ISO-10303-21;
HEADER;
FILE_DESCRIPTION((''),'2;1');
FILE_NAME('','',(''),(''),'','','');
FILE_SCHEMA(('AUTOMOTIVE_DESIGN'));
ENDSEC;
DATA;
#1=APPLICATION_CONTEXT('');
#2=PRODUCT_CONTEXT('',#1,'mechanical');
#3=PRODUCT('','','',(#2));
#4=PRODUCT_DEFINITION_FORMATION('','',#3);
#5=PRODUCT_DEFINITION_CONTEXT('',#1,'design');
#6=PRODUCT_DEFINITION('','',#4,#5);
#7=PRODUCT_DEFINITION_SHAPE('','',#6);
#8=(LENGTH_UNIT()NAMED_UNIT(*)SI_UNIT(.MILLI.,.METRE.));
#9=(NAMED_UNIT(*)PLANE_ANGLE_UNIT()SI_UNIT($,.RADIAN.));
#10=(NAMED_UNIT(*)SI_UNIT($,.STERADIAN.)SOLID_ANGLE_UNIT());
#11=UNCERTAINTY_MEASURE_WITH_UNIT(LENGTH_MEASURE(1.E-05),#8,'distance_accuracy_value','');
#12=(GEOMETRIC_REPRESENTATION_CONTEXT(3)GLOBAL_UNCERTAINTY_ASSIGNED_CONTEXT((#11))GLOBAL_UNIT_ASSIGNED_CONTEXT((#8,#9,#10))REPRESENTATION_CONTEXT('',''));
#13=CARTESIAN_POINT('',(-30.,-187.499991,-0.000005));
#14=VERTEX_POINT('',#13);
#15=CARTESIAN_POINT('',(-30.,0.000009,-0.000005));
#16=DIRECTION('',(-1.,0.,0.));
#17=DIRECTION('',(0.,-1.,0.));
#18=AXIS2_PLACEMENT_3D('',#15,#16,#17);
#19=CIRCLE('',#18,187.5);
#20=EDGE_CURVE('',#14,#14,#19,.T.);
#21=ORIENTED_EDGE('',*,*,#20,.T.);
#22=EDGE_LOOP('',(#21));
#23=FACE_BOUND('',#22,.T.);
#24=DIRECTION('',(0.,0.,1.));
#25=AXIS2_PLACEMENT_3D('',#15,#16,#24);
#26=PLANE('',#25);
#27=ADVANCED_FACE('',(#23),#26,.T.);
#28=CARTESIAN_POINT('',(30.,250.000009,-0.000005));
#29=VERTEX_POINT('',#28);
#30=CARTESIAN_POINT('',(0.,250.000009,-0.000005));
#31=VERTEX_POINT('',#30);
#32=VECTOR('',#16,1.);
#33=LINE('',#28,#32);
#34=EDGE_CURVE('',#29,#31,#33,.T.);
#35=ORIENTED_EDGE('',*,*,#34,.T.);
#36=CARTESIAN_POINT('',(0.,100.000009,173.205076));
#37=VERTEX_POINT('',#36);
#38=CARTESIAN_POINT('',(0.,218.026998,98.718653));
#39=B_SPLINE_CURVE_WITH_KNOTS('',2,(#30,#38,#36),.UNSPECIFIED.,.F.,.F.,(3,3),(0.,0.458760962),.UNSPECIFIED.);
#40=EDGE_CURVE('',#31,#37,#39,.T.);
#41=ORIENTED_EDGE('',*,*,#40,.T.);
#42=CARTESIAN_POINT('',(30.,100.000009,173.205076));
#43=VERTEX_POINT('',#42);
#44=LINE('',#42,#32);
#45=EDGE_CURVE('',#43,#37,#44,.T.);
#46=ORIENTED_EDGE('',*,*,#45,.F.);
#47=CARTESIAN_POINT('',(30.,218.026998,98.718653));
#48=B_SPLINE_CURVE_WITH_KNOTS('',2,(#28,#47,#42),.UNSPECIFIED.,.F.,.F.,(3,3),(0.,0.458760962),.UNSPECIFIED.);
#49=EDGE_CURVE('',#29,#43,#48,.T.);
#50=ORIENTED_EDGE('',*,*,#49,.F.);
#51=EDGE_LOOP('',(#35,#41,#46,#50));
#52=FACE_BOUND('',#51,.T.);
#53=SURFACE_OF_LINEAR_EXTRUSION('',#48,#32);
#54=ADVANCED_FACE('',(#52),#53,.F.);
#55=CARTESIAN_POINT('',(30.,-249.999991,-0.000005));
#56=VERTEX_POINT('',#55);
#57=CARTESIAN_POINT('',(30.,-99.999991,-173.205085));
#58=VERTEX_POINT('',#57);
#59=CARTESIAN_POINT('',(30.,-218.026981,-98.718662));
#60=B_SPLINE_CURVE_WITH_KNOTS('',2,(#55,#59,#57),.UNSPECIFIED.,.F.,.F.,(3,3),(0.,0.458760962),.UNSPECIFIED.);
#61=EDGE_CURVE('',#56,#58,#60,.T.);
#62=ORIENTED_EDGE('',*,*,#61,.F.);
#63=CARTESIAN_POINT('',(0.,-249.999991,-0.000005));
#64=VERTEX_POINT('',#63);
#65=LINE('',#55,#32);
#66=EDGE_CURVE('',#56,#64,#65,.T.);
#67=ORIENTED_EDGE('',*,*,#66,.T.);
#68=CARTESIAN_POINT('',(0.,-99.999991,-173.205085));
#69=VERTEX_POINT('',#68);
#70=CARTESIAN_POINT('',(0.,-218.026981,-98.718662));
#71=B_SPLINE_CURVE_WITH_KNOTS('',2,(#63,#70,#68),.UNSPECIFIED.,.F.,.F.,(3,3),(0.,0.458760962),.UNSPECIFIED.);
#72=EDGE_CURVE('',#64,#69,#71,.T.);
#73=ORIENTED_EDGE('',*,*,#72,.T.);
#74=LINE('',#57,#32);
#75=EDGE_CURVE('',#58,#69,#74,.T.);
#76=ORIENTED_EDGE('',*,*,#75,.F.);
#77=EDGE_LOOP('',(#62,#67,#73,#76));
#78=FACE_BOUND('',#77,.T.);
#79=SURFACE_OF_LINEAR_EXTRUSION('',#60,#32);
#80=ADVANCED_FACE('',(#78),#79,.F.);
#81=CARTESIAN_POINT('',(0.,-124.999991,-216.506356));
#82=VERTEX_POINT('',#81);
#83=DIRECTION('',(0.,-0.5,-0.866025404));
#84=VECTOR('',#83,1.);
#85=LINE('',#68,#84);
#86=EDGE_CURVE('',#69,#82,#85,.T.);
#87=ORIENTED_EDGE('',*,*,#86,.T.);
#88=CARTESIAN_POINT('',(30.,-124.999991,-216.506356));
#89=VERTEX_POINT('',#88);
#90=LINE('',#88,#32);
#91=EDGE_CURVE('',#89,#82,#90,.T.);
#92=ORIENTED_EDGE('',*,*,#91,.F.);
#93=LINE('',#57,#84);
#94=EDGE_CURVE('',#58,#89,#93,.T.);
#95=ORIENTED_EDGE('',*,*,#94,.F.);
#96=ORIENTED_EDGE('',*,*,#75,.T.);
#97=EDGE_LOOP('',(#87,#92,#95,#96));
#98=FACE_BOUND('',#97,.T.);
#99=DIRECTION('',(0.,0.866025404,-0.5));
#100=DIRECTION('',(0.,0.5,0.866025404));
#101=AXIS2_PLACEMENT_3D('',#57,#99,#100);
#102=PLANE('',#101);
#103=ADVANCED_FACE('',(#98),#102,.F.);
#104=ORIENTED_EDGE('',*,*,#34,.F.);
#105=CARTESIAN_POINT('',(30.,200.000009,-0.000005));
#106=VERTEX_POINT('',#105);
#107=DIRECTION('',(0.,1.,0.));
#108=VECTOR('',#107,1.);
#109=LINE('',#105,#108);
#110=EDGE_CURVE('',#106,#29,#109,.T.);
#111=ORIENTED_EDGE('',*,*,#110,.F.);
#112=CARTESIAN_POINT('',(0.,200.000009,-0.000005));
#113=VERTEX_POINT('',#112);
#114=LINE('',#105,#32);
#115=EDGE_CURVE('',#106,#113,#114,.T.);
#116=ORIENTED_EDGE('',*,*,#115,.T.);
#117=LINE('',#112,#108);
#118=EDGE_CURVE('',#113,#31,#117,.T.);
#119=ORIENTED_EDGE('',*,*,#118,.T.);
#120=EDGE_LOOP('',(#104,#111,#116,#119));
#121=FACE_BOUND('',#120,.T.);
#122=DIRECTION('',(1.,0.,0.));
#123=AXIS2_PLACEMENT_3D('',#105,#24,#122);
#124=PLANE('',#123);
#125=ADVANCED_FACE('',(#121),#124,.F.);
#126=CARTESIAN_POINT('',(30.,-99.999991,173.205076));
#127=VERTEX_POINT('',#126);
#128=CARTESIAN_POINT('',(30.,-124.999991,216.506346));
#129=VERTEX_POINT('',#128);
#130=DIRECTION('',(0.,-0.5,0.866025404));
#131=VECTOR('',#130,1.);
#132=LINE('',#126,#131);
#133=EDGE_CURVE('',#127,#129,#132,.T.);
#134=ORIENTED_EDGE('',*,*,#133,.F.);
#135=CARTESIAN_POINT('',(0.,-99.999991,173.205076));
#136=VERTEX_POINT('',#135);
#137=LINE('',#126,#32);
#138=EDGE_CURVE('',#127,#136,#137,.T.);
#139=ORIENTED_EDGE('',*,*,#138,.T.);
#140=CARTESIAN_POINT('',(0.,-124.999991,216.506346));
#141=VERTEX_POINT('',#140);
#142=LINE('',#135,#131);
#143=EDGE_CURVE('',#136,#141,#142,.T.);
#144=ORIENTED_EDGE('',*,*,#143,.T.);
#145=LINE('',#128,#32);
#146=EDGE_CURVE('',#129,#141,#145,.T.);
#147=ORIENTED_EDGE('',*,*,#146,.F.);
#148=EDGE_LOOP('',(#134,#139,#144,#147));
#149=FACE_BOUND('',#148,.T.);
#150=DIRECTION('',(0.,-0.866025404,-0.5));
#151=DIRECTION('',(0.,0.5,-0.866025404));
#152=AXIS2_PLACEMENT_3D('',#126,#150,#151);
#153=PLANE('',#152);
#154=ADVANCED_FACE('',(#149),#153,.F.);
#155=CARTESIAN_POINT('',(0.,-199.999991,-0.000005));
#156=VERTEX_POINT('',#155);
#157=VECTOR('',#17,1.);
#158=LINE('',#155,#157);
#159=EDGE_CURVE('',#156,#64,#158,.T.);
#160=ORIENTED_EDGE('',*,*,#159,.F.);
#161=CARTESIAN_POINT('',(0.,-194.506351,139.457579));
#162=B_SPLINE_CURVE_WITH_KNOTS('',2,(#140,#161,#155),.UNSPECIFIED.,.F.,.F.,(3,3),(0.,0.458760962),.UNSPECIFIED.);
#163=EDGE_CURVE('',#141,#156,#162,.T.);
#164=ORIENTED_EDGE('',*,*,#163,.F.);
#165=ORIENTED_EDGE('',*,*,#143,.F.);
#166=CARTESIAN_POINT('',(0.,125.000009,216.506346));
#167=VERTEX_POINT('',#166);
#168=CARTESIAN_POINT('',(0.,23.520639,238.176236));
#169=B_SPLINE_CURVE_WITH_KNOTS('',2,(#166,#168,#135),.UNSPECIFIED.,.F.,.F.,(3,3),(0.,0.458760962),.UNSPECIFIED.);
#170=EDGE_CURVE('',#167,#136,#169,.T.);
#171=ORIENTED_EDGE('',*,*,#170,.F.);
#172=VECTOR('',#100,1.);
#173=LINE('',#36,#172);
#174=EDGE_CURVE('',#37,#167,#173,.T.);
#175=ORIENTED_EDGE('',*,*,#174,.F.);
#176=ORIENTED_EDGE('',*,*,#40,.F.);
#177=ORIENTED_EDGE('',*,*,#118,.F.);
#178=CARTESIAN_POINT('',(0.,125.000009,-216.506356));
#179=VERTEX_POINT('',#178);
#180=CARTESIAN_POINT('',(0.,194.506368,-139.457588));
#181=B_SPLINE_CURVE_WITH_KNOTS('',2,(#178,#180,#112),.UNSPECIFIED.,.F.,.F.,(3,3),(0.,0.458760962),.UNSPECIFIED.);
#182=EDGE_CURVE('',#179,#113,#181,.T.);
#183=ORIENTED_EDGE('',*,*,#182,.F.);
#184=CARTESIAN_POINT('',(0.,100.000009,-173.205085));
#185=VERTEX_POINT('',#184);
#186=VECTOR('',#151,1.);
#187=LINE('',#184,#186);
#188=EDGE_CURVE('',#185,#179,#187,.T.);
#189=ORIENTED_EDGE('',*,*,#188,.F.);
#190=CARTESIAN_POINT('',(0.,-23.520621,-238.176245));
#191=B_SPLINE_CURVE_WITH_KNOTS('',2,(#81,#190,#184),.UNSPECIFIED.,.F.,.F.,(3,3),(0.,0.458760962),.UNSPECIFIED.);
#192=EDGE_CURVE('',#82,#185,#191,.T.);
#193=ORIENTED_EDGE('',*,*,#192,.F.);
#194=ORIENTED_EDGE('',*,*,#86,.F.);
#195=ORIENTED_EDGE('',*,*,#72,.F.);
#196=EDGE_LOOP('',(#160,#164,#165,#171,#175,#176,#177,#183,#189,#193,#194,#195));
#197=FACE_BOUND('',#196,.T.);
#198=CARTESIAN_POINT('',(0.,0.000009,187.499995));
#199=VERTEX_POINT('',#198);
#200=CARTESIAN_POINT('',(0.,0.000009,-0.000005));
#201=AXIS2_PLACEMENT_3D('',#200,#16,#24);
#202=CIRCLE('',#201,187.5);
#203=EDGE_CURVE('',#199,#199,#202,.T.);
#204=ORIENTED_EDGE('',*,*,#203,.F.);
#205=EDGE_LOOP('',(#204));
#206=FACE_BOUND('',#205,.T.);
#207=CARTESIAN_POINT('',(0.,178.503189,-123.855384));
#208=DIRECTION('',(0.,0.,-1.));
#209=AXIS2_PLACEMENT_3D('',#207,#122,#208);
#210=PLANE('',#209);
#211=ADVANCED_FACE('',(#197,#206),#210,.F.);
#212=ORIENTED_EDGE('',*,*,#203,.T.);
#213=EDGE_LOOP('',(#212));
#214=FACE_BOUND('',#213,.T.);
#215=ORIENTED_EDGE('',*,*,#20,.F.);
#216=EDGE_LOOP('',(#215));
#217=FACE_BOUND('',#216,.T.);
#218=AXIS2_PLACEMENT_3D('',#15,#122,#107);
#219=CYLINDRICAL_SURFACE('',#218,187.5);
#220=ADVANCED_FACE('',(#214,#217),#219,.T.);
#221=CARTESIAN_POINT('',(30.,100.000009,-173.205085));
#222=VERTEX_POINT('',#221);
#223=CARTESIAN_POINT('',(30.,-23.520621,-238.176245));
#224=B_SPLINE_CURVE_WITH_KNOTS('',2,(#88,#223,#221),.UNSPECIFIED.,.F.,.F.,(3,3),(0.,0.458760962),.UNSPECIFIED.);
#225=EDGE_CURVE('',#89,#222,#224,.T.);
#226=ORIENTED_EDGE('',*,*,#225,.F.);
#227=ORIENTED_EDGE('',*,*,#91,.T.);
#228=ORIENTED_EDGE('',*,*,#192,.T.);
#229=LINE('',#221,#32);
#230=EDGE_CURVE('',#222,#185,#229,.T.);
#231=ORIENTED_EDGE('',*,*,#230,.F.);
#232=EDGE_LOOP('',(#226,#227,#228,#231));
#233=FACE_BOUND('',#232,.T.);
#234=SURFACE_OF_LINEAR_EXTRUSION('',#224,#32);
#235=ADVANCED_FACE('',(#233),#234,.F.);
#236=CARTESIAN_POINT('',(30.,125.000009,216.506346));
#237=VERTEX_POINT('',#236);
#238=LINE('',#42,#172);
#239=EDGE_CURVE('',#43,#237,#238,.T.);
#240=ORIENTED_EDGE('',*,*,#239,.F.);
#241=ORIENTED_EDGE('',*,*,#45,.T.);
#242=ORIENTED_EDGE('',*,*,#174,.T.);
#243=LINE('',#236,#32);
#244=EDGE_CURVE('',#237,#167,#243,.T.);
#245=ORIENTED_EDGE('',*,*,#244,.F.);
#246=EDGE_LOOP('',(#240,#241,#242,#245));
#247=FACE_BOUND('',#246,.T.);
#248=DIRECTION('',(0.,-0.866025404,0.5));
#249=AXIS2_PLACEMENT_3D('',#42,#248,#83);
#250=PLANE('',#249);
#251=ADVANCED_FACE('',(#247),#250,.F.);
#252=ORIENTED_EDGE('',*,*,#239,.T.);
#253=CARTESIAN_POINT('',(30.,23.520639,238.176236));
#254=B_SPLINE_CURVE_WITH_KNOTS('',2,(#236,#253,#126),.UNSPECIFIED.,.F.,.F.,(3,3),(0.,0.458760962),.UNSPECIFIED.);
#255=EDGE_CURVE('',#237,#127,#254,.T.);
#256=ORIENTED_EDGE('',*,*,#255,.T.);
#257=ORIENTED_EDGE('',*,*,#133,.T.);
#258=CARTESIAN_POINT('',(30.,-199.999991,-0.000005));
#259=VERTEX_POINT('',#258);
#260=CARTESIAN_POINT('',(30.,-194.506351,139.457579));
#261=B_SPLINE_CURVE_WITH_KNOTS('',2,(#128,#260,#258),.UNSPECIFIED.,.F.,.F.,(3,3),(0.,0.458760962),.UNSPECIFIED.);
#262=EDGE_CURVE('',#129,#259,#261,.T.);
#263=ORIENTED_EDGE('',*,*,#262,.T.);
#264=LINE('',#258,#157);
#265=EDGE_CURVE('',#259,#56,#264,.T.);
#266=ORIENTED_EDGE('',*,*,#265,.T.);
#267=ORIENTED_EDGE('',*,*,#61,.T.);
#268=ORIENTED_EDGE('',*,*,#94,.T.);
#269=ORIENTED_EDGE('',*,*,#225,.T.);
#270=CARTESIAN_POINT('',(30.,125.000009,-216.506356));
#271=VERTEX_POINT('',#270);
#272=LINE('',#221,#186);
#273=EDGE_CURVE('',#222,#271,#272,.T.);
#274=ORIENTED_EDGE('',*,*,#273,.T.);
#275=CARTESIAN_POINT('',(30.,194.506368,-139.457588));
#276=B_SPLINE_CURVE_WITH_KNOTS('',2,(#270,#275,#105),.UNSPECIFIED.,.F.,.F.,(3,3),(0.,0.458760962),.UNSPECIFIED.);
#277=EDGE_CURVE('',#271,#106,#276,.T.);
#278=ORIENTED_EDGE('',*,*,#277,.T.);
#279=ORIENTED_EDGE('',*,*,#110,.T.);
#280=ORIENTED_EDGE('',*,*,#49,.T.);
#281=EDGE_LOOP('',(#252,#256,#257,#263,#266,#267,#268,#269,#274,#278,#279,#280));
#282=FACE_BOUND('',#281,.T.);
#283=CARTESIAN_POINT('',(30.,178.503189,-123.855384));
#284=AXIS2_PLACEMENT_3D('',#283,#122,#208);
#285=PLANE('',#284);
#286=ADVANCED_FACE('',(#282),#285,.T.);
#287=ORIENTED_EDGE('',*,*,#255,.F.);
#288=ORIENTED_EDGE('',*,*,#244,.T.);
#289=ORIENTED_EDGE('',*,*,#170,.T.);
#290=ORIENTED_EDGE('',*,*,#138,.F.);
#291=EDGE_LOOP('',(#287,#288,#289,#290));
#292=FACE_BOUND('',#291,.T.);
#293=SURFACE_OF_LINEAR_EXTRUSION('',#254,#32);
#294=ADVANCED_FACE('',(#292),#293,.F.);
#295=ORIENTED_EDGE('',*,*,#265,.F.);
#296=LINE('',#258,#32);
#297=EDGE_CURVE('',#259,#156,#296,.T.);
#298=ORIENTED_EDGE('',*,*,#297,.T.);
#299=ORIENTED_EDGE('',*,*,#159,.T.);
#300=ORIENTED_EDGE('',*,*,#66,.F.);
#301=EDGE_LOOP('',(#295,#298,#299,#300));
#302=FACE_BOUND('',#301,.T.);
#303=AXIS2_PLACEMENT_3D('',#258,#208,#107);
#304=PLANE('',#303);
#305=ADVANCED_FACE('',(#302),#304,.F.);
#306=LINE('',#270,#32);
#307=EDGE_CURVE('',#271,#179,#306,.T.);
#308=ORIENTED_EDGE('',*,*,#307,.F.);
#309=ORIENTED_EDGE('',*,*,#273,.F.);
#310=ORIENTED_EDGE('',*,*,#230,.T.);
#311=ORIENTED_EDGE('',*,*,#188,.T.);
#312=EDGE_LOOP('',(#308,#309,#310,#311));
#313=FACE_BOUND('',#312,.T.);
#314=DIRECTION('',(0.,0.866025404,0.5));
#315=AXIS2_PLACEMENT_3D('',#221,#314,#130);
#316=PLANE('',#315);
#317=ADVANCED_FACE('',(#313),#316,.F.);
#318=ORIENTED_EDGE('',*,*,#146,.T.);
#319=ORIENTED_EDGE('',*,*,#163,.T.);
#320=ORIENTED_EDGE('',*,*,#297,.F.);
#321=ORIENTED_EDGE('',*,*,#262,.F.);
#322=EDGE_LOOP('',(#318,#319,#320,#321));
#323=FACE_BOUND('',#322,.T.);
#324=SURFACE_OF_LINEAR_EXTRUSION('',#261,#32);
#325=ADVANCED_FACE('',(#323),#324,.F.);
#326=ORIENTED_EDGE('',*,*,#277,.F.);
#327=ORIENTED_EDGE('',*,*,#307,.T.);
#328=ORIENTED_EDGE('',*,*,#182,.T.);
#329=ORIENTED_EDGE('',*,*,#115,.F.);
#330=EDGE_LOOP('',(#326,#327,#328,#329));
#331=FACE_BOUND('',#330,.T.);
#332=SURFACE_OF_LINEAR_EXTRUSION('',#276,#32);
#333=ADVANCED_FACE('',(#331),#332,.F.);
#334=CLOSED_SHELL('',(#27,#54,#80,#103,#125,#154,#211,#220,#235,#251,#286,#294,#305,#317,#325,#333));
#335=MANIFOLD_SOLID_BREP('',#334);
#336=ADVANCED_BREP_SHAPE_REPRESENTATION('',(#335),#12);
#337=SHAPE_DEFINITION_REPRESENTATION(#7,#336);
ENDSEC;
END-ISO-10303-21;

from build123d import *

# Parameters (mm, degrees)
BOSS_EXTRUDE1_DEPTH = 30
SKETCH2_R           = 150
BOSS_EXTRUDE2_DEPTH = 30
SCALE1_SCALE_X      = 1
SCALE1_SCALE_Y      = 1.25
SCALE1_SCALE_Z      = 1.25


with BuildPart() as part:
    # Sketch1 → Boss-Extrude1 (new body)
    with BuildSketch(Plane(origin=(0, 0, 0), x_dir=(0, 0, -1), z_dir=(1, 0, 0))):
        with BuildLine():
            Line((0, 160), (0, 200))
            add(Edge.make_bspline(
                [(-138.564064606, 80), (-78.974925655, 174.42159167), (0, 200)],
                knots=[0, 0, 0, 0.458760962, 0.458760962, 0.458760962], degree=2))
            Line((-138.564064606, 80), (-173.205080757, 100))
            add(Edge.make_bspline(
                [(-138.564064606, -80), (-190.540992182, 18.816503955), (-173.205080757, 100)],
                knots=[0, 0, 0, 0.458760962, 0.458760962, 0.458760962], degree=2))
            Line((-138.564064606, -80), (-173.205080757, -100))
            add(Edge.make_bspline(
                [(0, -160), (-111.566066527, -155.605087714), (-173.205080757, -100)],
                knots=[0, 0, 0, 0.458760962, 0.458760962, 0.458760962], degree=2))
            Line((0, -160), (0, -200))
            add(Edge.make_bspline(
                [(138.564064606, -80), (78.974925655, -174.42159167), (0, -200)],
                knots=[0, 0, 0, 0.458760962, 0.458760962, 0.458760962], degree=2))
            Line((138.564064606, -80), (173.205080757, -100))
            add(Edge.make_bspline(
                [(138.564064606, 80), (190.540992182, -18.816503955), (173.205080757, -100)],
                knots=[0, 0, 0, 0.458760962, 0.458760962, 0.458760962], degree=2))
            Line((138.564064606, 80), (173.205080757, 100))
            add(Edge.make_bspline(
                [(0, 160), (111.566066527, 155.605087714), (173.205080757, 100)],
                knots=[0, 0, 0, 0.458760962, 0.458760962, 0.458760962], degree=2))
        make_face()
    extrude(amount=BOSS_EXTRUDE1_DEPTH)

    # Sketch2 → Boss-Extrude2 (add)
    with BuildSketch(Plane.ZY):
        with Locations(Location((0, 0, 0), (0, 0, 180))):
            Circle(SKETCH2_R)
    extrude(amount=BOSS_EXTRUDE2_DEPTH)


with BuildPart() as part_1:
    # Scale1: scaled about (2.201532239, 0, 0)
    add(part.part.scale((SCALE1_SCALE_X, SCALE1_SCALE_Y, SCALE1_SCALE_Z), about=(2.201532239, 0, 0)))


solid = part_1.part
